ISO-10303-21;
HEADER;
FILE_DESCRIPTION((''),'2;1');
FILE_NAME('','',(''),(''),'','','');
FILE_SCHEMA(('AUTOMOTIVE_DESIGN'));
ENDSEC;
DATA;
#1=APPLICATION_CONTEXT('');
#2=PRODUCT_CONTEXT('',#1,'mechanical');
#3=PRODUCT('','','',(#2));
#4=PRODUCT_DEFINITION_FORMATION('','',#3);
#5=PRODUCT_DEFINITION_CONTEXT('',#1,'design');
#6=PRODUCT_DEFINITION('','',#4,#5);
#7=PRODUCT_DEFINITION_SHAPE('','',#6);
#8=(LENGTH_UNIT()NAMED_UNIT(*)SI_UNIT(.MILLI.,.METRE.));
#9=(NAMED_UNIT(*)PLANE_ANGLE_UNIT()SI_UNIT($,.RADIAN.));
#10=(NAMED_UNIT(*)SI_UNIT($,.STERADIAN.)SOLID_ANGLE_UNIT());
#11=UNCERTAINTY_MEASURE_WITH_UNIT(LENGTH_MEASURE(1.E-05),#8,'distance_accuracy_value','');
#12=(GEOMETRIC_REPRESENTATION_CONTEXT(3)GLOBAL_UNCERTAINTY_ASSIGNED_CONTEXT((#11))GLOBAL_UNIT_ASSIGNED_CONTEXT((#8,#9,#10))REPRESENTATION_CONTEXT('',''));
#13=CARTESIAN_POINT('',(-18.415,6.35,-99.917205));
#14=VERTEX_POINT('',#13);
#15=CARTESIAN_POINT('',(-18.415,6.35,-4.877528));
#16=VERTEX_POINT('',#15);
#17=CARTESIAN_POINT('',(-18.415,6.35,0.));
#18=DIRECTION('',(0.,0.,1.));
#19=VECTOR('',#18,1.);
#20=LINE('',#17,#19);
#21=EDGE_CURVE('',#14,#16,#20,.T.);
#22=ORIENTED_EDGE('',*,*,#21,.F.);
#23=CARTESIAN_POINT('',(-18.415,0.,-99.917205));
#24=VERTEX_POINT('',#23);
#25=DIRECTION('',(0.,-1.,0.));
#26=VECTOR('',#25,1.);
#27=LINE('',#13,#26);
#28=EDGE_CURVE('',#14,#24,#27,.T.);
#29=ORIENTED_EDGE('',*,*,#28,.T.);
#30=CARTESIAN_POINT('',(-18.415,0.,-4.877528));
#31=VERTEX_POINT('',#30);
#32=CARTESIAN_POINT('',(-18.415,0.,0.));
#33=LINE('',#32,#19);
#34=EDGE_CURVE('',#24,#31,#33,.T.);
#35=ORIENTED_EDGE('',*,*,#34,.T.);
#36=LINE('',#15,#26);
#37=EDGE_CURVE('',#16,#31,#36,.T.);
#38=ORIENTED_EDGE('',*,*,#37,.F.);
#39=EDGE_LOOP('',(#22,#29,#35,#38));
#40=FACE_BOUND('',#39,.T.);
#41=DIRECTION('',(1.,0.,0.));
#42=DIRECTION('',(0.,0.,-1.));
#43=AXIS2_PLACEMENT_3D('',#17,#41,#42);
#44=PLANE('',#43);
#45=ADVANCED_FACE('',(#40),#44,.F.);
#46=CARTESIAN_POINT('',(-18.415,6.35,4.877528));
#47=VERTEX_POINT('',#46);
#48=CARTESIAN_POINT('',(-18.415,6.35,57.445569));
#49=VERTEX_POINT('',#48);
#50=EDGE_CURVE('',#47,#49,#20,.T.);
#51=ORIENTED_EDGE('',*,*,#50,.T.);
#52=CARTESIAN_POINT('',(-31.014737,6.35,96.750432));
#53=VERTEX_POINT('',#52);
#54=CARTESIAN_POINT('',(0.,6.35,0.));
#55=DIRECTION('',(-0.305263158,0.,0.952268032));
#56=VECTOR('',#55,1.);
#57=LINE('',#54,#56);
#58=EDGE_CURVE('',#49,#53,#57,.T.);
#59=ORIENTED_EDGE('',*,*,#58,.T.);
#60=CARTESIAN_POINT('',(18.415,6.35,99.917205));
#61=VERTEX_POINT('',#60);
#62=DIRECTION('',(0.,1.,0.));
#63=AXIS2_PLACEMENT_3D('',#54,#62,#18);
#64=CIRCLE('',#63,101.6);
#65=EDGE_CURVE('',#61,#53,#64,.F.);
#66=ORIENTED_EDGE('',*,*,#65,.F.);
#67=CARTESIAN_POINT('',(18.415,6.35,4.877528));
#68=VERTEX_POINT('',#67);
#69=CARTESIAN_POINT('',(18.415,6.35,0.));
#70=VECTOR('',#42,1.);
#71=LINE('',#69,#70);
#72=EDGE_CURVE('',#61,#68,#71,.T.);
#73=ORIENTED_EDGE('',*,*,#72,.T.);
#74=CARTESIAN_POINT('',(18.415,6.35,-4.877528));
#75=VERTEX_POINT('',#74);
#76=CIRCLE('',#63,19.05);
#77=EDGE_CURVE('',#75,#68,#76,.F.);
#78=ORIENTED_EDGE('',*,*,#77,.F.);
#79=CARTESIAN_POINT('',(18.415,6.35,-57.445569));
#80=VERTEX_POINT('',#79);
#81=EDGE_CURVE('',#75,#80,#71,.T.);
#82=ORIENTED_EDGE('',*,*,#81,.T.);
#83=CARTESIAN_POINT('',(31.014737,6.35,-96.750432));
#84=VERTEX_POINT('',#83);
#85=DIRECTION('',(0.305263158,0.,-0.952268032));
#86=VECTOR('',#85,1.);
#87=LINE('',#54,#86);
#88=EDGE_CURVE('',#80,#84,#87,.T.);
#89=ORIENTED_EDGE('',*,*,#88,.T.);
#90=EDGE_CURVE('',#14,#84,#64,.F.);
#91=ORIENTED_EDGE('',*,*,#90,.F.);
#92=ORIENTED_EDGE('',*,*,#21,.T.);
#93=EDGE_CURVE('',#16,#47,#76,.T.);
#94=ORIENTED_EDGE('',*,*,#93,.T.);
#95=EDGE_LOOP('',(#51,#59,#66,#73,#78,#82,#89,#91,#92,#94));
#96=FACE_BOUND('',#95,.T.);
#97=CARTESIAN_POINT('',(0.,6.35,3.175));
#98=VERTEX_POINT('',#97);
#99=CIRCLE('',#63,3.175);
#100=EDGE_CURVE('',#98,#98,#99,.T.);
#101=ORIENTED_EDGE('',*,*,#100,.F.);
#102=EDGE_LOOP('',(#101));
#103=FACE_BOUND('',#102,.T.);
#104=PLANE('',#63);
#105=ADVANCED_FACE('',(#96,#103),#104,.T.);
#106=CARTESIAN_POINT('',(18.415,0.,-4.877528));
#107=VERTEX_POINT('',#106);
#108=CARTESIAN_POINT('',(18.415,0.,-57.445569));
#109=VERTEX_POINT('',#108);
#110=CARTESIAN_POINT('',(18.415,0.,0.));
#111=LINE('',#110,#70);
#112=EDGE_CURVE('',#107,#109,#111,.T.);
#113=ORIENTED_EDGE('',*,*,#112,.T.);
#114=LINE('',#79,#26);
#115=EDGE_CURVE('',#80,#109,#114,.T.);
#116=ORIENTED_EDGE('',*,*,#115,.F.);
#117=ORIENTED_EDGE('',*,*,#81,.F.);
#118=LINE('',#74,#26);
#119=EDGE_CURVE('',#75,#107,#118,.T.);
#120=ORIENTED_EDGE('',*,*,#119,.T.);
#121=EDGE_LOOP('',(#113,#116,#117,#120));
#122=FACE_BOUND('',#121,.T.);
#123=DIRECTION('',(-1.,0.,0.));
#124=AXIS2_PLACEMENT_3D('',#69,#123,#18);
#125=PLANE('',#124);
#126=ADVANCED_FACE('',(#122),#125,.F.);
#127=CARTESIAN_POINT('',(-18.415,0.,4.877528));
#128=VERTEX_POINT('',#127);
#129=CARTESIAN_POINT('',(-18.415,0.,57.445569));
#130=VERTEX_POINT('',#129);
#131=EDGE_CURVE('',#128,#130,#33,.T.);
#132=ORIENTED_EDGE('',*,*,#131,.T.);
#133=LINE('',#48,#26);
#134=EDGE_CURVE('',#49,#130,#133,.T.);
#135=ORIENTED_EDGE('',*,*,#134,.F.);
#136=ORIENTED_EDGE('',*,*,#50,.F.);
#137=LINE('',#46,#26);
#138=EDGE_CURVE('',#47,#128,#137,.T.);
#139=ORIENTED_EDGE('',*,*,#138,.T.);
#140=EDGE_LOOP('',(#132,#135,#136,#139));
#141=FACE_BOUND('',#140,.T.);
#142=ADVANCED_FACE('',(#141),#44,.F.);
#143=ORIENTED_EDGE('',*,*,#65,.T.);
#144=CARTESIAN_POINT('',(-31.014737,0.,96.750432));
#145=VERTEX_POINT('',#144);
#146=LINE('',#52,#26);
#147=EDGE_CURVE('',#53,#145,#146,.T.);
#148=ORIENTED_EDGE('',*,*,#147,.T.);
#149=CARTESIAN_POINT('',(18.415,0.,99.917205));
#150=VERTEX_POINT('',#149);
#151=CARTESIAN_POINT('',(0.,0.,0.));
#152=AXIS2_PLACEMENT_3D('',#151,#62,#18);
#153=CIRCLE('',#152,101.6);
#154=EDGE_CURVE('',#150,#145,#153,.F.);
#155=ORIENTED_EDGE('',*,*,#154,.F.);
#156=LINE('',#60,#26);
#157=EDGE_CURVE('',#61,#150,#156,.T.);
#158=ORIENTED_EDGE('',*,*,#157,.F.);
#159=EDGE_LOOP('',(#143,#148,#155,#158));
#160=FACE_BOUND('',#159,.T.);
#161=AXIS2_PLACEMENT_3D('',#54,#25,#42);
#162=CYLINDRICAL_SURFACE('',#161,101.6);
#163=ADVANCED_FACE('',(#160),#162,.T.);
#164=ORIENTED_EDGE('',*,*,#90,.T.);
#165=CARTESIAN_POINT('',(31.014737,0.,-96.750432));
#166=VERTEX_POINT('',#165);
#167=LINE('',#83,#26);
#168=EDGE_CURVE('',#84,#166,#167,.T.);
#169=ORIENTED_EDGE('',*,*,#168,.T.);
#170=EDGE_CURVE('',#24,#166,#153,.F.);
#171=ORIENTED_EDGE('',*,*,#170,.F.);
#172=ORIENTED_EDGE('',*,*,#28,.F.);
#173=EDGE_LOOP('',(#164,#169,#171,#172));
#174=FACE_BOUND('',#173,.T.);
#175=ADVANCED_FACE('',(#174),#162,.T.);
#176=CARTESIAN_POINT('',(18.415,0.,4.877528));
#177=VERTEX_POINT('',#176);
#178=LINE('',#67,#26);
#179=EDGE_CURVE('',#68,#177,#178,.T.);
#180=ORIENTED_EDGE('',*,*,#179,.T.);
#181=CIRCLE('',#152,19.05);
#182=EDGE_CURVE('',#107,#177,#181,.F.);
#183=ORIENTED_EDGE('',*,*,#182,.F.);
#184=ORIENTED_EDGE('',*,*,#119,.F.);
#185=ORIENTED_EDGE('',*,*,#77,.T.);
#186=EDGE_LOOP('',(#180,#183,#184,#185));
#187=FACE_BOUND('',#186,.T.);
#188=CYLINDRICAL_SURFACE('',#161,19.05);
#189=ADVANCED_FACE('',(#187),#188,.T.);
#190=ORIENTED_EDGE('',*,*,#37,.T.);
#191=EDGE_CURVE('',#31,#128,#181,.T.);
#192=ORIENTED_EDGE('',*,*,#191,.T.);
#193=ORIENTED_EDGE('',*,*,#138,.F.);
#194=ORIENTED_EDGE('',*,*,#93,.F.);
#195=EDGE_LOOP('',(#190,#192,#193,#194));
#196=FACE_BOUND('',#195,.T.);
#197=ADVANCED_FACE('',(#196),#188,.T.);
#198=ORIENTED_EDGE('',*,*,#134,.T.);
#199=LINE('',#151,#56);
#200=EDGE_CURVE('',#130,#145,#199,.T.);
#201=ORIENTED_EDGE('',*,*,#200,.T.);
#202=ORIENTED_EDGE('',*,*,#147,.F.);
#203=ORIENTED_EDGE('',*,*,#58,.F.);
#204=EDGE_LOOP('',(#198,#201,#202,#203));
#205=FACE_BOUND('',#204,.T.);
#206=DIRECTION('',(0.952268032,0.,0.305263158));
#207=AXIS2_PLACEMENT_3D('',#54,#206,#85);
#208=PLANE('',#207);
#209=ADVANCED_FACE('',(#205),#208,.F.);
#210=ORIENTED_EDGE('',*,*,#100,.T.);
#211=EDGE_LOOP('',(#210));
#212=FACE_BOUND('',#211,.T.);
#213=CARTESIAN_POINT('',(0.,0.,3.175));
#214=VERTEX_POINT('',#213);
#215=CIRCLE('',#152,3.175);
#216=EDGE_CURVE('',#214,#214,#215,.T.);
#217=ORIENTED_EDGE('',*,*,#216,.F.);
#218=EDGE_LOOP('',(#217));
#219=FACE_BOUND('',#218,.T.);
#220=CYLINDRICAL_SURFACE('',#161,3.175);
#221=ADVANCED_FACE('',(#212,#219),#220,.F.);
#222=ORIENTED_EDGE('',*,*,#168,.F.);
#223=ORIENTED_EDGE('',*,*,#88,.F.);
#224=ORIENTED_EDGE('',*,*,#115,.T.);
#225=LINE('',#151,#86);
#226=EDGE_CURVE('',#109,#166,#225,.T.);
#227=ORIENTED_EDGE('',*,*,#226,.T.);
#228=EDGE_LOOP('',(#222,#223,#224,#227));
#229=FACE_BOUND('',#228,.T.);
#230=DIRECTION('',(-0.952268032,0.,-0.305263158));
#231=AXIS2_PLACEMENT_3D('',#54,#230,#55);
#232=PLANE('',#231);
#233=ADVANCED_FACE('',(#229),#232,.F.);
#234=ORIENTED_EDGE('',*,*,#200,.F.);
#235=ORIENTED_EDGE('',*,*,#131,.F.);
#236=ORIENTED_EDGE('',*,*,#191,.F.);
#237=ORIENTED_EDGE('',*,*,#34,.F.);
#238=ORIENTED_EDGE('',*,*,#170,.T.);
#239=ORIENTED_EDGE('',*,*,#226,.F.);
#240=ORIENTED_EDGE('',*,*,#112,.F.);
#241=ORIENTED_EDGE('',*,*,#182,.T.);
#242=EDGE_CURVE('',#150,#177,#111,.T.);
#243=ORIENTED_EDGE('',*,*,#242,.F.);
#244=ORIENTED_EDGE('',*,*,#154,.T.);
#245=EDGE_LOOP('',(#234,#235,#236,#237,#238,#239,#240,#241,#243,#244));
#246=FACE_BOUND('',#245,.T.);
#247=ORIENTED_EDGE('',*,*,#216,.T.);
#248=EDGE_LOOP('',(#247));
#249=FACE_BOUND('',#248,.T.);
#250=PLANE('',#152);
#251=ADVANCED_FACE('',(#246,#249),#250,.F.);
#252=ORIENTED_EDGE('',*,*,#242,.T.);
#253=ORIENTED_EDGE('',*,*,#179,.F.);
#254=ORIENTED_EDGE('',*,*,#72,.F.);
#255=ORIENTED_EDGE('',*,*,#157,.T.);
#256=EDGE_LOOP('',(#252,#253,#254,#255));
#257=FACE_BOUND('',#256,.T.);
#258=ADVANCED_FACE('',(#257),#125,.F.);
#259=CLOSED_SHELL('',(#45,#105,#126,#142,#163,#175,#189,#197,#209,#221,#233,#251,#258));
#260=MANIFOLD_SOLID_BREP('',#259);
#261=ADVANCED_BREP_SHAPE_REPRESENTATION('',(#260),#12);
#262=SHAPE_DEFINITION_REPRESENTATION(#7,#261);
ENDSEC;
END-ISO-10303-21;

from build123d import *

# Parameters (mm, degrees)
SKETCH1_R           = 3.175
BOSS_EXTRUDE1_DEPTH = 6.35


with BuildPart() as part:
    # Sketch1 → Boss-Extrude1 (new body)
    with BuildSketch(Plane(origin=(0, 0, 0), x_dir=(1, 0, 0), z_dir=(0, 1, 0))):
        with BuildLine():
            ThreePointArc((18.415, 4.87752755), (19.05, 0), (18.415, -4.87752755))
            Line((18.415, -4.87752755), (18.415, -99.9172046))
            ThreePointArc((18.415, -99.9172046), (-6.495802818, -101.392132563), (-31.014736842, -96.750432033))
            Line((-31.014736842, -96.750432033), (-18.415, -57.44556902))
            Line((-18.415, -57.44556902), (-18.415, -4.87752755))
            ThreePointArc((-18.415, -4.87752755), (-19.05, 0), (-18.415, 4.87752755))
            Line((-18.415, 4.87752755), (-18.415, 99.9172046))
            ThreePointArc((-18.415, 99.9172046), (6.495802818, 101.392132563), (31.014736842, 96.750432033))
            Line((31.014736842, 96.750432033), (18.415, 57.44556902))
            Line((18.415, 57.44556902), (18.415, 4.87752755))
        make_face()
        with Locations(Location((0, 0, 0), (0, 0, 270))):
            Circle(SKETCH1_R, mode=Mode.SUBTRACT)
    extrude(amount=BOSS_EXTRUDE1_DEPTH)


solid = part.part
